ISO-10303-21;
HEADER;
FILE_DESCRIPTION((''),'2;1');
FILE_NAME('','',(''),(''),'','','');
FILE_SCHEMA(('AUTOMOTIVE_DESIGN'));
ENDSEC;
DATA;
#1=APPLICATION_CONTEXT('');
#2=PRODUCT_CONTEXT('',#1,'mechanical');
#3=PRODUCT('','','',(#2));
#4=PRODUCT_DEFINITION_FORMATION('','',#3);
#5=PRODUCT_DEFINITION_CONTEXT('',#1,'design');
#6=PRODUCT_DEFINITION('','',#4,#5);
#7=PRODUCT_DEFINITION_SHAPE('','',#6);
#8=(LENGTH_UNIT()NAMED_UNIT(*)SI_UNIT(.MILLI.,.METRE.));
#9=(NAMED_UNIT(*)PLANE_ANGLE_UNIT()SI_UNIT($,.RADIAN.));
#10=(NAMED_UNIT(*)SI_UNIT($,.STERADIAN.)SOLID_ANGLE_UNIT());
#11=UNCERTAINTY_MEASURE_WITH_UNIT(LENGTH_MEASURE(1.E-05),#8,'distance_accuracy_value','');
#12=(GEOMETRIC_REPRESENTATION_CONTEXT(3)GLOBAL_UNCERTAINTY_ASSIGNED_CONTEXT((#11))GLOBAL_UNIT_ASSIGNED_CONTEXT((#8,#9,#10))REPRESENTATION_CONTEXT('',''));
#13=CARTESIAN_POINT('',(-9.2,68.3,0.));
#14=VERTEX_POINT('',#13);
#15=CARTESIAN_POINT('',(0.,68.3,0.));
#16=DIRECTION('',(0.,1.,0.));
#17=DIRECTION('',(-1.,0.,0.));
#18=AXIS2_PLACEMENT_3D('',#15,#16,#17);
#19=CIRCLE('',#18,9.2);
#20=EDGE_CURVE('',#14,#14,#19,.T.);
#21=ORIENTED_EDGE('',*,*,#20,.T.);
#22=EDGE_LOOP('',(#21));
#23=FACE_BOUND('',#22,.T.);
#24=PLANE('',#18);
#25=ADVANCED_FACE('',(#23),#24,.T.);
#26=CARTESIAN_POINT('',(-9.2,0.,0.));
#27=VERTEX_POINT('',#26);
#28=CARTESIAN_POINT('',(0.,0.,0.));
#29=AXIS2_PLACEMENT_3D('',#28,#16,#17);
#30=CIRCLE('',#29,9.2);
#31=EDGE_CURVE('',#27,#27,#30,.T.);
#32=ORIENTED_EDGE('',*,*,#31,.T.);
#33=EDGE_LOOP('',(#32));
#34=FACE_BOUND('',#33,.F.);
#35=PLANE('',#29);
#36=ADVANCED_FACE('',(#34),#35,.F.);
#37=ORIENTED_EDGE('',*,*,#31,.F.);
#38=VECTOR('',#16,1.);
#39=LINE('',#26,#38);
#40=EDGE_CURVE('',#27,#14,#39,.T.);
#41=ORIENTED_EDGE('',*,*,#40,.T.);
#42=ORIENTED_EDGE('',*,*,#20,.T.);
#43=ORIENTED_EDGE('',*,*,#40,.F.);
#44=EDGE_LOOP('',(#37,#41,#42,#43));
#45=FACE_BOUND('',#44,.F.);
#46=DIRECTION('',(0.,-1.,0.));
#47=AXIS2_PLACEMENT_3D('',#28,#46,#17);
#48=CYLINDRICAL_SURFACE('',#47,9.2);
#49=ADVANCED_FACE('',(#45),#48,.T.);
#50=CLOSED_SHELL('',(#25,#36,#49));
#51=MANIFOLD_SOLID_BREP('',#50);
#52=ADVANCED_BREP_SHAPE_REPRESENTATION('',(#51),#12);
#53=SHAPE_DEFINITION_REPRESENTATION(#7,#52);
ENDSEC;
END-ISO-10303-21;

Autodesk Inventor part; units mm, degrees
ref_plane "YZ Plane" through (0, 0, 0) normal (1, 0, 0) x (0, 1, 0)
ref_plane "XZ Plane" through (0, 0, 0) normal (0, 1, 0) x (-1, 0, 0)
ref_plane "XY Plane" through (0, 0, 0) normal (0, 0, 1) x (1, 0, 0)
sketch "Sketch1" plane through (0, 0, 0) normal (0, 1, 0) x (-1, 0, 0)
  circle A0 centre (0, 0) radius 9.2
  dimension "d0" = 18.4
extrude "Extrusion1" add sketch "Sketch1" along normal blind 68.3
properties part number "battery"
